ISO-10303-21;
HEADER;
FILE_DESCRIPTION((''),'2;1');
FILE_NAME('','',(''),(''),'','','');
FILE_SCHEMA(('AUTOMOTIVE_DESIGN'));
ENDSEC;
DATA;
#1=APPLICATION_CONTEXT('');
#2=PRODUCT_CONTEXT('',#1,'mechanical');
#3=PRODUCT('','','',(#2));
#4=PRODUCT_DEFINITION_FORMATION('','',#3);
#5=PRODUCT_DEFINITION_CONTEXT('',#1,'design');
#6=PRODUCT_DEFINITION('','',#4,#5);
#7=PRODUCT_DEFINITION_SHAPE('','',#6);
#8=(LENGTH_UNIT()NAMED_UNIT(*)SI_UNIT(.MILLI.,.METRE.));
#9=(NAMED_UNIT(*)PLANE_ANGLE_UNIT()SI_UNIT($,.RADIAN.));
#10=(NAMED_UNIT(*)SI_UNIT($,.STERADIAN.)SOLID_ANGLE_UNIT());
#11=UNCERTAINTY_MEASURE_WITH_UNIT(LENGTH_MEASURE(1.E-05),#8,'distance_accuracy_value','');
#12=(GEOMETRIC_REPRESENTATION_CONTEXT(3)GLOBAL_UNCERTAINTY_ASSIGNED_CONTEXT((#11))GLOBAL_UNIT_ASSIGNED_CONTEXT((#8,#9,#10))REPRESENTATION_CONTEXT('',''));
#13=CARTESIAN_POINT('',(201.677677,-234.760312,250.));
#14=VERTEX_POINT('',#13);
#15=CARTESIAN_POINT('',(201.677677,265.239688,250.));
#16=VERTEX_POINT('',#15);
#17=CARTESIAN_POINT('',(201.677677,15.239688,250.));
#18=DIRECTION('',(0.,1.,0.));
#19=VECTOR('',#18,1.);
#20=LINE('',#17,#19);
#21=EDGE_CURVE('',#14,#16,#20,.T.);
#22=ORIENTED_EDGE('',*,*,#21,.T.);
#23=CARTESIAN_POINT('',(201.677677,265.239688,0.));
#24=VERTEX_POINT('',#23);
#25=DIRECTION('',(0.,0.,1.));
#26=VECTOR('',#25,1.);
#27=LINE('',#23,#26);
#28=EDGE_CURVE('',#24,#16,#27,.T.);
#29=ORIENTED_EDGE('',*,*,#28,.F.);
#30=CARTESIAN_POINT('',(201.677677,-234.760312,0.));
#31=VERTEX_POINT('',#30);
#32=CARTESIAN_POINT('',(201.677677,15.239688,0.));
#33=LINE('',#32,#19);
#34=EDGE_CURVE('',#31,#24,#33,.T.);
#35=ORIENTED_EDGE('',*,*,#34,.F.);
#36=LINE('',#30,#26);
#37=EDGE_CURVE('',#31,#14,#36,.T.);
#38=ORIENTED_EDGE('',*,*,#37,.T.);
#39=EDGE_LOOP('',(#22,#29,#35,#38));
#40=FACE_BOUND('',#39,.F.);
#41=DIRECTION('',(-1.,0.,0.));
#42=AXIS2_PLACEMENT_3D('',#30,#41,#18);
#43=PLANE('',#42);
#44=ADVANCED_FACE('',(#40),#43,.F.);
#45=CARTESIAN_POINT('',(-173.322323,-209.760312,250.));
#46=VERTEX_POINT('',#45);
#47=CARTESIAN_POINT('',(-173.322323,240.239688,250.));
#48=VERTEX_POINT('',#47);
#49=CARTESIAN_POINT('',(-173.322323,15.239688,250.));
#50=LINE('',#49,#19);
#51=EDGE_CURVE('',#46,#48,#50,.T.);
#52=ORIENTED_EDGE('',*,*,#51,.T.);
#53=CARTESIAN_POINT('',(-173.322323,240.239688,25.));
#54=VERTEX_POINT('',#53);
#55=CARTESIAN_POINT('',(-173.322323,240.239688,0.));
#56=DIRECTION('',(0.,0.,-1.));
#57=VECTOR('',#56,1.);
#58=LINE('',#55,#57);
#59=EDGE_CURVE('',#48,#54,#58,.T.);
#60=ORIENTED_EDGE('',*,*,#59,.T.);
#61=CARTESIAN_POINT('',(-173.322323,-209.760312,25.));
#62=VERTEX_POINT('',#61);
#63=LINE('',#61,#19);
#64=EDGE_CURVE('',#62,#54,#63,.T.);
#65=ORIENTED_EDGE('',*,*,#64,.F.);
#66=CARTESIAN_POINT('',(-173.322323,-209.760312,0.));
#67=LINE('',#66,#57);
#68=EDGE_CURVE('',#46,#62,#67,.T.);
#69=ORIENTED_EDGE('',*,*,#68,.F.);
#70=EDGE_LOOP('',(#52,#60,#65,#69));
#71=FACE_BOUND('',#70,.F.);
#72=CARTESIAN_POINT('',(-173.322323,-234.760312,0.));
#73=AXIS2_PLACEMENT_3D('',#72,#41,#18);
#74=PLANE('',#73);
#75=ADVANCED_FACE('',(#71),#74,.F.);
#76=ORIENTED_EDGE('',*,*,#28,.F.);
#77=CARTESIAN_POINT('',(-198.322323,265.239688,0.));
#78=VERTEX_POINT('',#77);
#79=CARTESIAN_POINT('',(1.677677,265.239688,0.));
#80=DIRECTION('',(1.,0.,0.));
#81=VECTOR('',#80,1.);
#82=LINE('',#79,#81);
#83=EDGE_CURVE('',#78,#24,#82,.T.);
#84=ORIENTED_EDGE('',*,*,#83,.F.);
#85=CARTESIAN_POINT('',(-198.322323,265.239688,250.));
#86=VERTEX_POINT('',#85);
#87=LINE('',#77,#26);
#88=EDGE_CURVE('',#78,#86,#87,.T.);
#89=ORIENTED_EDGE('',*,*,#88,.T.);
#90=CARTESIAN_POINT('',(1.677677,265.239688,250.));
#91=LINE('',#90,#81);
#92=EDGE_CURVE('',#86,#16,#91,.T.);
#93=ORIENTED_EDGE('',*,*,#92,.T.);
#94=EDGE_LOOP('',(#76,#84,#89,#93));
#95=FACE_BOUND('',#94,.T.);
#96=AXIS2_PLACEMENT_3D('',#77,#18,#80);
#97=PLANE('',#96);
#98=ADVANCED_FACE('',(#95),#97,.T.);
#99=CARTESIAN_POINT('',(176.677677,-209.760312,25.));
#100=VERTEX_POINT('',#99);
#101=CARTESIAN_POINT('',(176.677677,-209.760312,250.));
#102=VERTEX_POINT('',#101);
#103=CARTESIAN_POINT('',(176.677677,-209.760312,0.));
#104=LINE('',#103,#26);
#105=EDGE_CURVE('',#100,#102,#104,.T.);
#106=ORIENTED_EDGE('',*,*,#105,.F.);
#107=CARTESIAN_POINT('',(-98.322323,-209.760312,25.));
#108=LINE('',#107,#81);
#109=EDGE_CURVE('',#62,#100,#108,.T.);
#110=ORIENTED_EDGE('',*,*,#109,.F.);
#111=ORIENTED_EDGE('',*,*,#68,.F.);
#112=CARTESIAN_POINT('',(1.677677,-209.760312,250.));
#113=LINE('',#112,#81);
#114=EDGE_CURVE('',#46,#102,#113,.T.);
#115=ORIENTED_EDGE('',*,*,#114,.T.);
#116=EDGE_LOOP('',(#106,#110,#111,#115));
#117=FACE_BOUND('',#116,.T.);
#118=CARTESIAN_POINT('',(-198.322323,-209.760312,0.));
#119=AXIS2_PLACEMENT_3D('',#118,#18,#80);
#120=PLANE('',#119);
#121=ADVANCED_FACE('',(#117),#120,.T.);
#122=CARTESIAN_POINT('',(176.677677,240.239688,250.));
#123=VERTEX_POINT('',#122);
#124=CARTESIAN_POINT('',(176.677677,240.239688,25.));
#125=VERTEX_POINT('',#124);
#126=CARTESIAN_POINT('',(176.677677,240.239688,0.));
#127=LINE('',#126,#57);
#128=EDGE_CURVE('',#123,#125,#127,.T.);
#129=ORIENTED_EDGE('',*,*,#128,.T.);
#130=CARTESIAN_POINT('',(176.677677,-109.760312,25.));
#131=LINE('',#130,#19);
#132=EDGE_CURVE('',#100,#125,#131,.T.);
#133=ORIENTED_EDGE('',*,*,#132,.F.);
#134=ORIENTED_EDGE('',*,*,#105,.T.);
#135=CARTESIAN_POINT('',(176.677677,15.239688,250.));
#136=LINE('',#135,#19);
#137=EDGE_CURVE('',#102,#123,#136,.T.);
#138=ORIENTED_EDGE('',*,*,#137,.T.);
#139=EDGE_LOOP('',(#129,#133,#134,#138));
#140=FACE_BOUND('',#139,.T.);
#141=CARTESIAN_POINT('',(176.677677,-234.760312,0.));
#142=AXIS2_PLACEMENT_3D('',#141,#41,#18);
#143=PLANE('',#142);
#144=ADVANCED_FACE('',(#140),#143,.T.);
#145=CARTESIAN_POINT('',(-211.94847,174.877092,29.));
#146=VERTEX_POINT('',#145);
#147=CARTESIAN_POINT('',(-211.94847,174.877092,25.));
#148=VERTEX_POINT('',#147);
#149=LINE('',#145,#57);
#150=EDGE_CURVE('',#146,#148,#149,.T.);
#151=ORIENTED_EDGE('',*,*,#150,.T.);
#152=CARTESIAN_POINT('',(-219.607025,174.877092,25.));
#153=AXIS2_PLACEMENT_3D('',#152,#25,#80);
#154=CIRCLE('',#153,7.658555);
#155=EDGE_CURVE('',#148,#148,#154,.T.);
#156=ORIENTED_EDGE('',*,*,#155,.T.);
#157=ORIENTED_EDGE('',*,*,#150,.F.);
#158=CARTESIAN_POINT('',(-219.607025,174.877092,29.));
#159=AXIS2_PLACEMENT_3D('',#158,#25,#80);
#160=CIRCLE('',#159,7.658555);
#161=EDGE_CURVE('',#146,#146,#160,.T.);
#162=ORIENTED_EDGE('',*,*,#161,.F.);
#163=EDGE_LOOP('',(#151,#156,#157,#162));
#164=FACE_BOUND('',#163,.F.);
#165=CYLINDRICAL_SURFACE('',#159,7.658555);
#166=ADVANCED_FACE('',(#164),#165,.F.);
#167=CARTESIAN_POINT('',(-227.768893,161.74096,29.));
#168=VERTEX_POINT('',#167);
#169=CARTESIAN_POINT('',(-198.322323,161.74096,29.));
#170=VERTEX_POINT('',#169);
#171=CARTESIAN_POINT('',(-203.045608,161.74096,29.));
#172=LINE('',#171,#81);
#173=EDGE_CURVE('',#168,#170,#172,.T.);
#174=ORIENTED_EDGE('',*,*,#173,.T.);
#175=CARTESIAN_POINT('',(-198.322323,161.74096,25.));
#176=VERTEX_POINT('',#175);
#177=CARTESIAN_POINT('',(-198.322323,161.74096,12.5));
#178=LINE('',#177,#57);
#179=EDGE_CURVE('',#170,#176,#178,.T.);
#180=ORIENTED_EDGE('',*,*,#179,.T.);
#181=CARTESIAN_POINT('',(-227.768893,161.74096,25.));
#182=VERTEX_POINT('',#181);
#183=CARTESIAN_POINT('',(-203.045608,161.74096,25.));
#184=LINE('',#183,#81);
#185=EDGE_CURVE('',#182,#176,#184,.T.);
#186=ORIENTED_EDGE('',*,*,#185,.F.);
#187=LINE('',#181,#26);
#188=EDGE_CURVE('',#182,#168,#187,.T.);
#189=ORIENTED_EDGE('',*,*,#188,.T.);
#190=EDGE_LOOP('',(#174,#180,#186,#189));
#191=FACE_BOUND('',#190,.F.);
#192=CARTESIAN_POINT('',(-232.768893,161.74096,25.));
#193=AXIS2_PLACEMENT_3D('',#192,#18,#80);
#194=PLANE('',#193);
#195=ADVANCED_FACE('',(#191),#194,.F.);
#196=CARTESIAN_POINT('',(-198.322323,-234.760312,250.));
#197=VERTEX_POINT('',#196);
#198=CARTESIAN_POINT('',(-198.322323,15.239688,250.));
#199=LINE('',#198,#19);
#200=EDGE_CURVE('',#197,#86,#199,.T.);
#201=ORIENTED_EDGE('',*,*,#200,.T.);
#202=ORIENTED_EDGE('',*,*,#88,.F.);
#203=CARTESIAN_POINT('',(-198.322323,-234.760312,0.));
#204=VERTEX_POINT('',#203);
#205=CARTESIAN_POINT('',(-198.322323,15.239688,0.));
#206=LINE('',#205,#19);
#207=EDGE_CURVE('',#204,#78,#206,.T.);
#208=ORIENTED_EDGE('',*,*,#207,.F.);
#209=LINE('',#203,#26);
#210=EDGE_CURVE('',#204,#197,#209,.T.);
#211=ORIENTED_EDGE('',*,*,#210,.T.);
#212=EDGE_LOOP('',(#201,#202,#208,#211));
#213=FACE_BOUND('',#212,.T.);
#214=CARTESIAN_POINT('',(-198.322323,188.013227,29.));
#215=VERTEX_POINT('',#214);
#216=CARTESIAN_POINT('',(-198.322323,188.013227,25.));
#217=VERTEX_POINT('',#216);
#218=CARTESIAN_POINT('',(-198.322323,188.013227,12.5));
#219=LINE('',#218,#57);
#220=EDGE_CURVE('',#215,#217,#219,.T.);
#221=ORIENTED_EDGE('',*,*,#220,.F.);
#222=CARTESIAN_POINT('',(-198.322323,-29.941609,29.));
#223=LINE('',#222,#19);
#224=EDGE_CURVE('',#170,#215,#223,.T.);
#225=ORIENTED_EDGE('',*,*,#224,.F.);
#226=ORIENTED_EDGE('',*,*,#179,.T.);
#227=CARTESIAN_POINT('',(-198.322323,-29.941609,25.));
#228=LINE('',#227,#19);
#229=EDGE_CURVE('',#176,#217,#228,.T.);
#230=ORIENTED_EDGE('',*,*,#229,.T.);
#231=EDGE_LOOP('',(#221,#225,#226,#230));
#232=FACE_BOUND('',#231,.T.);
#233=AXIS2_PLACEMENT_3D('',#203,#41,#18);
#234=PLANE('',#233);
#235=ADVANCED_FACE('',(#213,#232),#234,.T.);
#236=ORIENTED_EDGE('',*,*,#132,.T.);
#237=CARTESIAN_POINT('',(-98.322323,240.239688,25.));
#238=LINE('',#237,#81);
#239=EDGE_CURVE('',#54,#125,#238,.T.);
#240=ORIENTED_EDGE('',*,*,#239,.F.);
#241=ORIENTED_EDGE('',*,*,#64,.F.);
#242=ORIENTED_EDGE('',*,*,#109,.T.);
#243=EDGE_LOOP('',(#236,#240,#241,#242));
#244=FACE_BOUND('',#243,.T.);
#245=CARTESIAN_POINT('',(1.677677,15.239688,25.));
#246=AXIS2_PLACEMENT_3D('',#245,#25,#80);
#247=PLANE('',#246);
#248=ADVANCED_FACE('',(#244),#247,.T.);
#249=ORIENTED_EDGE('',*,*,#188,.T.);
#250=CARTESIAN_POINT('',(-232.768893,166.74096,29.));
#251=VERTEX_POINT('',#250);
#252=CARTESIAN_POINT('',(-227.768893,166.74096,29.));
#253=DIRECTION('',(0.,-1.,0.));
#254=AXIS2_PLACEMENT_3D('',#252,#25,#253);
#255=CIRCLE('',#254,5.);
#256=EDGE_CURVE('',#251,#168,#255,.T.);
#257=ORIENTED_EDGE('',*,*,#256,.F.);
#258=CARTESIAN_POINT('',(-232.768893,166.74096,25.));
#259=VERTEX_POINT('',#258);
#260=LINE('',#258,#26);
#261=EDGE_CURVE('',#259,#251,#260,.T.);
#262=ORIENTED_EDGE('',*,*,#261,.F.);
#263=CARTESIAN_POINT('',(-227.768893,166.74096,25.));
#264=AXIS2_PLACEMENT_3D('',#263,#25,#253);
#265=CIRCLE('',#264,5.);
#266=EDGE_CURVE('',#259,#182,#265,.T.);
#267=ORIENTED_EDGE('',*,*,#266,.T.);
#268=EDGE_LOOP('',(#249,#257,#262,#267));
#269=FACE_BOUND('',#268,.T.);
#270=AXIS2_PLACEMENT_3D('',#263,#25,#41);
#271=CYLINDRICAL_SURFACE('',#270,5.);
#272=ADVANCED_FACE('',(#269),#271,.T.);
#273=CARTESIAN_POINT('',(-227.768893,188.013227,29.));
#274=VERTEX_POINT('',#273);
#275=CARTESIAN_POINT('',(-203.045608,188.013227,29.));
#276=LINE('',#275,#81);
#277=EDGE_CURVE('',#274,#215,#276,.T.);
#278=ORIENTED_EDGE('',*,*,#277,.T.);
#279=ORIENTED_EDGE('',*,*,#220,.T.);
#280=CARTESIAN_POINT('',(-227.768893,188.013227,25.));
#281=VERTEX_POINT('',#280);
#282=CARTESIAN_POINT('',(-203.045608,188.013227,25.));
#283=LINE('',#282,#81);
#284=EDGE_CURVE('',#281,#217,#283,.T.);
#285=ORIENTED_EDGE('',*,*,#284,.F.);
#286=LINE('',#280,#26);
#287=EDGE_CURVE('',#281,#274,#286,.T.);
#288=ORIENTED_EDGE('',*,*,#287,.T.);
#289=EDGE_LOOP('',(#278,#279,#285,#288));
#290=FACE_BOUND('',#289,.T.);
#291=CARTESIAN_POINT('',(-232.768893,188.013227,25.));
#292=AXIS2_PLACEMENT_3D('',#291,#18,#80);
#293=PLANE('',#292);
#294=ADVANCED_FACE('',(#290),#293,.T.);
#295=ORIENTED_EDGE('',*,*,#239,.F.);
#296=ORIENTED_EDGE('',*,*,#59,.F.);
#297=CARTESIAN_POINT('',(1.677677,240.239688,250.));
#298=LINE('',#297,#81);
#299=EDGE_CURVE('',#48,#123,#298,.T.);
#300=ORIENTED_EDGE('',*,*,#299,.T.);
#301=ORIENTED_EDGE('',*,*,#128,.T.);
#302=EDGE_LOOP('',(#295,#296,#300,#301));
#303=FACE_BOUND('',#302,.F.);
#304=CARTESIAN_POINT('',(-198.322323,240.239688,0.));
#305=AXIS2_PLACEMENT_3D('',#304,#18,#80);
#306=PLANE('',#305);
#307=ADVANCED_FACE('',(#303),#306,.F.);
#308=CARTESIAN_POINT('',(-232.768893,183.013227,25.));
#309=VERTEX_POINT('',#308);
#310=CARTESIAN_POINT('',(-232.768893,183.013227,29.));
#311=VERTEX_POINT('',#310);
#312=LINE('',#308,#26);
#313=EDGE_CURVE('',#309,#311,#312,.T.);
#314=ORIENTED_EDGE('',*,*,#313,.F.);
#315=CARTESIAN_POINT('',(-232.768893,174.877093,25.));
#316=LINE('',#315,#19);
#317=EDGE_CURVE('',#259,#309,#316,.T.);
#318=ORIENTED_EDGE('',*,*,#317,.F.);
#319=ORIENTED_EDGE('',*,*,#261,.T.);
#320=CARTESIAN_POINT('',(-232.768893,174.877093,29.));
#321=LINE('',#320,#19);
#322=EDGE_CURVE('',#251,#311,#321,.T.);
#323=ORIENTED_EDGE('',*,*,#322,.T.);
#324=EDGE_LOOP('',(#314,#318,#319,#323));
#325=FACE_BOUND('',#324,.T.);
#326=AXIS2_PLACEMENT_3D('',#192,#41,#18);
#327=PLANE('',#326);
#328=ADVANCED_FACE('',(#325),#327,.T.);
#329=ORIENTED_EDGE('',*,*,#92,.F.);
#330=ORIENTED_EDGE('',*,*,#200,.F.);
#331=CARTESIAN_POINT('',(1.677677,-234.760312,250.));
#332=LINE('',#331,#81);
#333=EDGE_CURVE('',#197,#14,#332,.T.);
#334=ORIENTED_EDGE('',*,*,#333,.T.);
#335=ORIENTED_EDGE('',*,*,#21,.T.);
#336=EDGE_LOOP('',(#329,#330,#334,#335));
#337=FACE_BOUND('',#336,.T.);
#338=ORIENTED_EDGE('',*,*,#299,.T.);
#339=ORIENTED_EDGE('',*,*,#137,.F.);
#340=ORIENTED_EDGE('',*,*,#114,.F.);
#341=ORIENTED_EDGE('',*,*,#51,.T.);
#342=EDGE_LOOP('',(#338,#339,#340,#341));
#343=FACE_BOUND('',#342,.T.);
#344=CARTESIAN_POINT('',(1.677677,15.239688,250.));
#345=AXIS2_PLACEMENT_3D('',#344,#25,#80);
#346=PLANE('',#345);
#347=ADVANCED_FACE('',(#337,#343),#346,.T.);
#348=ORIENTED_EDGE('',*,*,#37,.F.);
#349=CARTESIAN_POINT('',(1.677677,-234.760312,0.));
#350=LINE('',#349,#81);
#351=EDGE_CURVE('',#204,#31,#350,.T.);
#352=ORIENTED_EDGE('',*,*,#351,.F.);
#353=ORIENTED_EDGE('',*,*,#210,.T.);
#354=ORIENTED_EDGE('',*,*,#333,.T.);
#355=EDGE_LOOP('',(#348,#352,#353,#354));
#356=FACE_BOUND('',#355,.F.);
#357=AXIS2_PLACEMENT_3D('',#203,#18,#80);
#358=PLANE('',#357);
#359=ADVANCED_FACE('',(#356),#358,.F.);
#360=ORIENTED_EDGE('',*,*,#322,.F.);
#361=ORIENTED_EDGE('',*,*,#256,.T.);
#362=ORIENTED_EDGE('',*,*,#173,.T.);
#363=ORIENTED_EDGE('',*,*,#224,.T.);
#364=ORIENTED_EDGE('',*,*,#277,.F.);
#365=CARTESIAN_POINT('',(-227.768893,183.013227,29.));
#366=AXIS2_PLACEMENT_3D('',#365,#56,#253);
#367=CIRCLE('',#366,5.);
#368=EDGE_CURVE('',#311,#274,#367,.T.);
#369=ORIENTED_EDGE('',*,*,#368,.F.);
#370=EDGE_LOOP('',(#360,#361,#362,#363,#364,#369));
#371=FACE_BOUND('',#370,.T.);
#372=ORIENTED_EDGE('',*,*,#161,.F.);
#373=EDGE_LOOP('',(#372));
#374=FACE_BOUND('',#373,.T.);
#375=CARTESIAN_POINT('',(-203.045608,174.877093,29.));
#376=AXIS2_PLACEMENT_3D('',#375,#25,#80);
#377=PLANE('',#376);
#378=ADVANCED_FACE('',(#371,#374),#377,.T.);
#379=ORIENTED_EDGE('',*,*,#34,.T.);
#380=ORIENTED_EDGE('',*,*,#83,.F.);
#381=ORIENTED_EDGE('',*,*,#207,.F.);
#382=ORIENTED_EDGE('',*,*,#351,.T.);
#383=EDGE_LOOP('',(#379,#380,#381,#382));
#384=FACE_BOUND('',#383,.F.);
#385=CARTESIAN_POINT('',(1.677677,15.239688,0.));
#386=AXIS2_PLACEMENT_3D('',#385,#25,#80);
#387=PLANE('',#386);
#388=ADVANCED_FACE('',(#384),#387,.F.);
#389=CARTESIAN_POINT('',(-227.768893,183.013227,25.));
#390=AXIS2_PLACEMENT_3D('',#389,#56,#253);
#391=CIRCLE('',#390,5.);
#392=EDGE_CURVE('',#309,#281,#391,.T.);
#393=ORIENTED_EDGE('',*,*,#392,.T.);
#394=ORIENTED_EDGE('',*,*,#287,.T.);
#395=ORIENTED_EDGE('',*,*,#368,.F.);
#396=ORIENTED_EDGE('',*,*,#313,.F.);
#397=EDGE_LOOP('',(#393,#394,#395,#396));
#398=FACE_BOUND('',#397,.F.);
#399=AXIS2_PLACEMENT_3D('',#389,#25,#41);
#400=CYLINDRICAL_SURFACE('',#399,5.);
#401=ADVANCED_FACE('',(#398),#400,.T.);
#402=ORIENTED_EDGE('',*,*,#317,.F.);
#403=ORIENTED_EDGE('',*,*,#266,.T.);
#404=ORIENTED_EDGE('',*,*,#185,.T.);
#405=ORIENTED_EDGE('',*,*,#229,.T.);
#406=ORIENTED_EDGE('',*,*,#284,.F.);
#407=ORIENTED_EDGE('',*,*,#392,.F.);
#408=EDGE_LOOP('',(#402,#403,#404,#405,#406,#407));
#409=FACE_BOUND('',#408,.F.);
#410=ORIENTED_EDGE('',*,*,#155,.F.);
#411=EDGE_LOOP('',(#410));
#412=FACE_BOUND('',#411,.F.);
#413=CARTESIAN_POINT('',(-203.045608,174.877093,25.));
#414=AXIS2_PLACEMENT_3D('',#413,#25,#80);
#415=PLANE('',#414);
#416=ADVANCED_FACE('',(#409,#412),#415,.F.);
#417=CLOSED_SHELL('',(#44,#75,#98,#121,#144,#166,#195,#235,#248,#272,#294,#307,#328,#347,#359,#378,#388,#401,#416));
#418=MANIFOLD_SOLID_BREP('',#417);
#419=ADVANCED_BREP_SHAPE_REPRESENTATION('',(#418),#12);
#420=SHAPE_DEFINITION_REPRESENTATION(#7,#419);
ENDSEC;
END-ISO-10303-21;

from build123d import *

# Parameters (mm, degrees)
F0_W     = 400
F0_H     = 500
F1_DEPTH = 250
F2_T     = -25
F3_W     = 59.44657
F3_H     = 26.272267
F4_DEPTH = 4
F5_R     = 5
F6_R     = 7.658555
F7_DEPTH = 25


with BuildPart() as f1:
    # F0 (on Top) → F1 (new body)
    with BuildSketch(Plane.XY):
        with Locations((1.677677, 15.239688)):
            Rectangle(F0_W, F0_H)
    extrude(amount=F1_DEPTH)

    # F2
    f2_openings = [f1.faces().sort_by_distance(p)[0] for p in [
        (1.677677, 15.239688, 250),
    ]]
    offset(amount=F2_T, openings=f2_openings)

    # F3 (on face) → F4 (join)
    with BuildSketch(Plane.XY.offset(25)):
        with Locations((-203.045608, 174.877093)):
            Rectangle(F3_W, F3_H)
    extrude(amount=F4_DEPTH)

    # F5
    f5_edges = [f1.edges().sort_by_distance(p)[0] for p in [
        (-232.768893, 161.740959, 27),
        (-232.768893, 188.013226, 27),
    ]]
    fillet(f5_edges, radius=F5_R)

    # F6 (on face) → F7 (cut)
    with BuildSketch(Plane.XY.offset(29)):
        with Locations((-219.607025, 174.877092)):
            Circle(F6_R)
    extrude(amount=-F7_DEPTH, mode=Mode.SUBTRACT)


solid = f1.part
